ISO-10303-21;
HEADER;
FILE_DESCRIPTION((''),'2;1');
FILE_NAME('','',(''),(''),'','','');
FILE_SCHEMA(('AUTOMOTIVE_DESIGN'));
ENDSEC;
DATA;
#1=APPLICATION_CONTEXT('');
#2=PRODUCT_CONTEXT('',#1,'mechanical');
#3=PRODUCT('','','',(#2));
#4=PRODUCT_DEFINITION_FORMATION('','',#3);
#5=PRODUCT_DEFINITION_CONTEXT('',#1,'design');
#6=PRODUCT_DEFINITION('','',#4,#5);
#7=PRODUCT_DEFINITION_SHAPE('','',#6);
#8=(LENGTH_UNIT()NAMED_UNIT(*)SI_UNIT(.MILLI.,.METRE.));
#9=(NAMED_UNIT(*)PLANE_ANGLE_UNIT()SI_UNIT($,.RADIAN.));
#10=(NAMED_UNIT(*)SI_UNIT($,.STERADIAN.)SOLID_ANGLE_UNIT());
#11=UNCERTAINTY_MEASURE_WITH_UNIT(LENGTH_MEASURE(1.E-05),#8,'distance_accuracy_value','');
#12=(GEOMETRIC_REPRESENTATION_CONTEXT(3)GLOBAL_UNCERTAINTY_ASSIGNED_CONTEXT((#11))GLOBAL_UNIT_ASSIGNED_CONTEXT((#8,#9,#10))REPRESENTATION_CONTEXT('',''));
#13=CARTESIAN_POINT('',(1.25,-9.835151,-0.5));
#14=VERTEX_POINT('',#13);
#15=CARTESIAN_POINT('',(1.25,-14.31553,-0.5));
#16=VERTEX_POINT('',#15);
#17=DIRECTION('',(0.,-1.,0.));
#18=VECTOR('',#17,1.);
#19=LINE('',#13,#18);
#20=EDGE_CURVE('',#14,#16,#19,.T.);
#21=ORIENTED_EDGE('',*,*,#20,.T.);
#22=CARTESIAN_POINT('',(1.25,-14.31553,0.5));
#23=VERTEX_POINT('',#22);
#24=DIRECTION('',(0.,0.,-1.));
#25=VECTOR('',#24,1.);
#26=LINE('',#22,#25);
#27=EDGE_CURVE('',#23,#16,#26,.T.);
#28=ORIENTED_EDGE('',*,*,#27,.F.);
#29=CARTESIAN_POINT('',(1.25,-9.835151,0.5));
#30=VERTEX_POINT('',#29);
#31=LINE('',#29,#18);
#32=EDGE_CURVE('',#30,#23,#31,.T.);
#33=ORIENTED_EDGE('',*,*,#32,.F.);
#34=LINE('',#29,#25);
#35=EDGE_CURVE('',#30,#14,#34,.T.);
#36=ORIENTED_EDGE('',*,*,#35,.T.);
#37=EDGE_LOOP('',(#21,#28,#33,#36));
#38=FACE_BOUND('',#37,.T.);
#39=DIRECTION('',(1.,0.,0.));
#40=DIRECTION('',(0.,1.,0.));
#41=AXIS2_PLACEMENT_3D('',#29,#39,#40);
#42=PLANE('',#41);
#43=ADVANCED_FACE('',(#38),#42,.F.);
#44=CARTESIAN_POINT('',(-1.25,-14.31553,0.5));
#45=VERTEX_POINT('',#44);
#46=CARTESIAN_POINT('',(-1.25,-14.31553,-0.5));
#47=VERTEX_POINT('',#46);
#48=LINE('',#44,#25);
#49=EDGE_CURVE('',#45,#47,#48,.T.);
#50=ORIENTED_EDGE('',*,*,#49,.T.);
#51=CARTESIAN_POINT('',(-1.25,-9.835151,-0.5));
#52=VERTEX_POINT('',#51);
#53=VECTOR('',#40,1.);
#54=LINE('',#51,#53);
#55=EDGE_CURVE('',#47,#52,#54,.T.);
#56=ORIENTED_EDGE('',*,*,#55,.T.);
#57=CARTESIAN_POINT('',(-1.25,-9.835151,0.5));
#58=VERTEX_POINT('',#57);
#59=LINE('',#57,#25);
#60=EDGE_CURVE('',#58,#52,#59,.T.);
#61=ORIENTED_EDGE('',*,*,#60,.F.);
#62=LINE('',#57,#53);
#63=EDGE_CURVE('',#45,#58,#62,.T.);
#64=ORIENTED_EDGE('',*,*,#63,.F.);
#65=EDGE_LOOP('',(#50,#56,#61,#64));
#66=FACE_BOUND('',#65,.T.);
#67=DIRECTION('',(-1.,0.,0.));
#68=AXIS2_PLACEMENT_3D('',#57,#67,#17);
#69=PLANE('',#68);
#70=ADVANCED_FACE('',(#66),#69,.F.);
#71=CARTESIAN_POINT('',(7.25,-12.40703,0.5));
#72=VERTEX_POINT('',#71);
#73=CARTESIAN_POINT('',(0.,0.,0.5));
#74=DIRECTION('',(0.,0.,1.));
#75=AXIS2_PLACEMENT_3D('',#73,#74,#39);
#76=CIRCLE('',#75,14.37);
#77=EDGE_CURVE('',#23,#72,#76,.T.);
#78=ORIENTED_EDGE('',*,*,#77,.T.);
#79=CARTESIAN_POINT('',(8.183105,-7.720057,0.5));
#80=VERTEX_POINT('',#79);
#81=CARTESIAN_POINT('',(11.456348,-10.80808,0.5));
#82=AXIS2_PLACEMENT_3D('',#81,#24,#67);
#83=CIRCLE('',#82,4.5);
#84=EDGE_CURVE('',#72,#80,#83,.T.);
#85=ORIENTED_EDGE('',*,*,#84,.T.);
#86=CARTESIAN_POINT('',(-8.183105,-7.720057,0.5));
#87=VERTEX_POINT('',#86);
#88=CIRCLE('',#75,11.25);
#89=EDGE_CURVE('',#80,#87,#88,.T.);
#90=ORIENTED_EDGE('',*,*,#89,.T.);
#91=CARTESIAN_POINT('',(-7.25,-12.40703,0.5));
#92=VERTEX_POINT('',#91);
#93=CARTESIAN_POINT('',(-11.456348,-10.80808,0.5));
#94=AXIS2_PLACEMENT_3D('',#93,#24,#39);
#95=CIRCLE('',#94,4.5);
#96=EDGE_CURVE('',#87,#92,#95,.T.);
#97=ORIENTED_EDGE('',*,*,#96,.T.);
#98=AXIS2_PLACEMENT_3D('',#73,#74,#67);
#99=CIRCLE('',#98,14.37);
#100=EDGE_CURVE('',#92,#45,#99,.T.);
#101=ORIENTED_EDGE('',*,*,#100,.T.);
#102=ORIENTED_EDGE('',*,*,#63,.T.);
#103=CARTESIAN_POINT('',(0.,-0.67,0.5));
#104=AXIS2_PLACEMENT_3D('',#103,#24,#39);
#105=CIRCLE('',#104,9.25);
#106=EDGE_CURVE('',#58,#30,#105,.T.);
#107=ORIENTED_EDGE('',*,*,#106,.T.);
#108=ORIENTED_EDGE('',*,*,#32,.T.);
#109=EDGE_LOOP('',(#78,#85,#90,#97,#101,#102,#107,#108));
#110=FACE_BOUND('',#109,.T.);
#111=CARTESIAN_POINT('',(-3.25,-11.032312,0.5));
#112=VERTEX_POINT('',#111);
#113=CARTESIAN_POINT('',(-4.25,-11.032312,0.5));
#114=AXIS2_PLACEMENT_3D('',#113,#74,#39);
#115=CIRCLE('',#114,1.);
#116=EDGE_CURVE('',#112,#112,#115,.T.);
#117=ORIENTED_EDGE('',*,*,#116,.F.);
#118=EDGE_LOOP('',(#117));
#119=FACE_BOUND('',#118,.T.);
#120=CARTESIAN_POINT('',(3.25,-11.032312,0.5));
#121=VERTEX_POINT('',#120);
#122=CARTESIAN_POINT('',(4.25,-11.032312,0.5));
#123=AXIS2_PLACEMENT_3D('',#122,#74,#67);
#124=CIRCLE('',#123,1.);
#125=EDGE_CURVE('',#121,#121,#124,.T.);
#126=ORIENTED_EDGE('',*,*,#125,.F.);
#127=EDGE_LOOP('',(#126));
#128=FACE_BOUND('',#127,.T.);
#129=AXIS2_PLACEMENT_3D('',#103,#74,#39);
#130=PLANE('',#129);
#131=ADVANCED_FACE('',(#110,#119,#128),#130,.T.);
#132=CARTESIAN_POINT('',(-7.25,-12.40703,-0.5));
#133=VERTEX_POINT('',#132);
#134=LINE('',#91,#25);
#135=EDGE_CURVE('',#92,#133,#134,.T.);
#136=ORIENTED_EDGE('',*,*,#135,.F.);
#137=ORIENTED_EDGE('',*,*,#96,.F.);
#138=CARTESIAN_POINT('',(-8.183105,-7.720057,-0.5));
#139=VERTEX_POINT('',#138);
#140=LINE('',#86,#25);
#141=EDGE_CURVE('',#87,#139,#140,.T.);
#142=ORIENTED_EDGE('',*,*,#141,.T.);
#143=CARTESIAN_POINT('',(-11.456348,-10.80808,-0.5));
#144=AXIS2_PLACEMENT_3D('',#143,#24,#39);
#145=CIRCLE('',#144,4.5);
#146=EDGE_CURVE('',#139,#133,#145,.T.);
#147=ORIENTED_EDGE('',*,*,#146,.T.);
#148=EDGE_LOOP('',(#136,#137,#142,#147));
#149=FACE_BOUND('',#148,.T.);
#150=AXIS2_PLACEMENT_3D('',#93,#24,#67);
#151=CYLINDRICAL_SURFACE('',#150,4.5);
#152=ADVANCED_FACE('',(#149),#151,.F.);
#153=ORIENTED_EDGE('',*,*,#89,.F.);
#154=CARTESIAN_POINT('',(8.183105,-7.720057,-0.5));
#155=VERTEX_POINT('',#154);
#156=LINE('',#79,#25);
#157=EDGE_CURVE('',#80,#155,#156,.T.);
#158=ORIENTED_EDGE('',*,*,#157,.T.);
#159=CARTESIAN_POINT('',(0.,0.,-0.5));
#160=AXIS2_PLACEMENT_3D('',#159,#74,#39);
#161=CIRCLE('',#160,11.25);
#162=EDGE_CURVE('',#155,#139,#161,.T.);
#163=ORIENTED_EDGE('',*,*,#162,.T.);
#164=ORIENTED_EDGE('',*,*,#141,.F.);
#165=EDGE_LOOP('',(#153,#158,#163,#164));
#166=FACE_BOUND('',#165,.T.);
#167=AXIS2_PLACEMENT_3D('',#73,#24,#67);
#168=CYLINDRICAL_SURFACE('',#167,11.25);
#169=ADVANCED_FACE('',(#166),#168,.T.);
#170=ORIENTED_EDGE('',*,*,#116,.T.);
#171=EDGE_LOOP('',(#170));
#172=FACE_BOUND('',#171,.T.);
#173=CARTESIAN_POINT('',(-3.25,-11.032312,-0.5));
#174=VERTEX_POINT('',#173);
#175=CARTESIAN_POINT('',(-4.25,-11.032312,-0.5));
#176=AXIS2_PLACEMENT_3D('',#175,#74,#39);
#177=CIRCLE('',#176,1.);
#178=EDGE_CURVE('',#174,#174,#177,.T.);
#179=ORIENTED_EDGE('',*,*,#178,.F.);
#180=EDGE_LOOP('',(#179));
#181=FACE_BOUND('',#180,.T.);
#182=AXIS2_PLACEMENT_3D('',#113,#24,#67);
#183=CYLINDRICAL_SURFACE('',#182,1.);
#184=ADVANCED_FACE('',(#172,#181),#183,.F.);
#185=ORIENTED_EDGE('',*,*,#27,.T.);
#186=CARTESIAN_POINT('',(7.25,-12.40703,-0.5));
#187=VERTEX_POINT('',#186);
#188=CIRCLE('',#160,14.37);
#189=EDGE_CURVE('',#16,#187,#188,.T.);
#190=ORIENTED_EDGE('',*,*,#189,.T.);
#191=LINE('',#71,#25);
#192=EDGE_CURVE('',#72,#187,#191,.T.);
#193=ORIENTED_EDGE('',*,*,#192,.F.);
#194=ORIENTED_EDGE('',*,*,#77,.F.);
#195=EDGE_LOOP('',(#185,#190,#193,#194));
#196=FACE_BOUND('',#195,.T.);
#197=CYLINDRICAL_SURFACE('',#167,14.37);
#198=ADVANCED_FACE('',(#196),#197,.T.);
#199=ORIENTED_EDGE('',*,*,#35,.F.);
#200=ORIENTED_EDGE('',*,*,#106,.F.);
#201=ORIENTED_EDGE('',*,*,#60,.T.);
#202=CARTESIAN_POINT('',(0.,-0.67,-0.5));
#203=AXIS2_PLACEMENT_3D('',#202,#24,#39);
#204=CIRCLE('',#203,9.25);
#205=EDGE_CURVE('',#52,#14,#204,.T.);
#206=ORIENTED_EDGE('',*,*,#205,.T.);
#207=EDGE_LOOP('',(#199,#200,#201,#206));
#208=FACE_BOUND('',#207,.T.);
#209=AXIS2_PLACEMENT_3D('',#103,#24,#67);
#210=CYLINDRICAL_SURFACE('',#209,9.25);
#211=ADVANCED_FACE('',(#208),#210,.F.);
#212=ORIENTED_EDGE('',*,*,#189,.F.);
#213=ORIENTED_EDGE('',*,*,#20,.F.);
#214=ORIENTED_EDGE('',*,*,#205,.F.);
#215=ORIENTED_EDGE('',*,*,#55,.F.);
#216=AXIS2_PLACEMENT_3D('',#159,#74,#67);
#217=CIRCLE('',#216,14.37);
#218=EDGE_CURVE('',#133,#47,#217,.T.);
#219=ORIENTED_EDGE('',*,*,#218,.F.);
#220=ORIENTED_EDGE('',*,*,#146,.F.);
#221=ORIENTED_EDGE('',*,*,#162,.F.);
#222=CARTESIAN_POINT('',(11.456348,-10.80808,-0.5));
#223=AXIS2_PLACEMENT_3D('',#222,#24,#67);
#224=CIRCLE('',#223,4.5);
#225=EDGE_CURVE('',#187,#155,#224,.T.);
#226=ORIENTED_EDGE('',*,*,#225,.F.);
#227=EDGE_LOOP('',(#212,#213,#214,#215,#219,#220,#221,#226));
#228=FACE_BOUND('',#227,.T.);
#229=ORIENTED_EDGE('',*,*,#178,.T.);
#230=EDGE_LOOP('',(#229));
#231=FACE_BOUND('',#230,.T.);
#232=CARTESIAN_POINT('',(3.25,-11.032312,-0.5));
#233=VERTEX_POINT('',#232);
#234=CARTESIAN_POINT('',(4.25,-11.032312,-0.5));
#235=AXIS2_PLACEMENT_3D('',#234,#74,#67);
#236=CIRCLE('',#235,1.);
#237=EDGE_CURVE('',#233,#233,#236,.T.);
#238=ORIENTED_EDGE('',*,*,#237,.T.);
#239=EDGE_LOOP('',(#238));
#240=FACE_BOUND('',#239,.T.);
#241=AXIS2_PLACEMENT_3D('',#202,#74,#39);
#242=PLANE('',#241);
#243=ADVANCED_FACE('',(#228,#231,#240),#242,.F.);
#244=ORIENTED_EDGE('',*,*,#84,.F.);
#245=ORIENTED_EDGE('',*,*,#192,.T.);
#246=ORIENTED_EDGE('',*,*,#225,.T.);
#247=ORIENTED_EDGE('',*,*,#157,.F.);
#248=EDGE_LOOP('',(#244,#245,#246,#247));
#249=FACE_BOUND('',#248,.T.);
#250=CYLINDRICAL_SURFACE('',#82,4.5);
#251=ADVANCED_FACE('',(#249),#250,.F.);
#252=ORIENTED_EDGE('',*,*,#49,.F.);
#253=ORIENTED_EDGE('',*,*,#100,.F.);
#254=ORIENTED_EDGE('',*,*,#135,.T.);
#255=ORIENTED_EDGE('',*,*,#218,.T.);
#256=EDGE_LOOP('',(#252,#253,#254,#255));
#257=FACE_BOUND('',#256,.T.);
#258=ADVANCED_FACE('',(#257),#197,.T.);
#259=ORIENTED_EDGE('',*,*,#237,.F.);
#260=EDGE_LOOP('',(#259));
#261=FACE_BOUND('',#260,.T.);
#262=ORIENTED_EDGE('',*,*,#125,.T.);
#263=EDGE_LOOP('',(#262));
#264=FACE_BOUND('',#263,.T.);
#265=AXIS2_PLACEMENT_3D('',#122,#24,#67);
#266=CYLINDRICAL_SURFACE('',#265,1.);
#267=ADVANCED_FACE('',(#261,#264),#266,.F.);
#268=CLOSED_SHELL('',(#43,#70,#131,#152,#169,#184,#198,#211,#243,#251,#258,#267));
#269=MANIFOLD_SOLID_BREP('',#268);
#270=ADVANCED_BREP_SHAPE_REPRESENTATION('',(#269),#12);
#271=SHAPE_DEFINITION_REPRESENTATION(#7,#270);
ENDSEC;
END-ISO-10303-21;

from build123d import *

# Parameters (mm, degrees)
EXTRUDE_991_DEPTH      = 0.5
EXTRUDE_991_DEPTH_BACK = 0.5
SKETCH_1_R             = 1


with BuildPart() as part:
    # 草图1 → Extrude 991 (new, two sides: drawn at the far end of the back side and taken through both)
    with BuildSketch(Plane.XY.offset(-EXTRUDE_991_DEPTH_BACK)):
        with BuildLine():
            Line((-1.25, -9.83515139), (-1.25, -14.315530029))
            ThreePointArc((-1.25, -14.315530029), (-4.355811387, -13.693933225), (-7.25, -12.407030265))
            ThreePointArc((-7.25, -12.407030265), (-7.042959472, -9.929441632), (-8.18310536, -7.720057427))
            ThreePointArc((-8.18310536, -7.720057427), (0, 11.25), (8.18310536, -7.720057427))
            ThreePointArc((8.18310536, -7.720057427), (7.042959472, -9.929441632), (7.25, -12.407030265))
            ThreePointArc((7.25, -12.407030265), (4.355811387, -13.693933225), (1.25, -14.315530029))
            Line((1.25, -14.315530029), (1.25, -9.83515139))
            ThreePointArc((1.25, -9.83515139), (0, 8.58), (-1.25, -9.83515139))
        make_face()
        with Locations((-4.25, -11.032311518)):
            Circle(SKETCH_1_R, mode=Mode.SUBTRACT)
        with Locations((4.25, -11.032311518)):
            Circle(SKETCH_1_R, mode=Mode.SUBTRACT)
    extrude(amount=EXTRUDE_991_DEPTH + EXTRUDE_991_DEPTH_BACK)


solid = part.part
